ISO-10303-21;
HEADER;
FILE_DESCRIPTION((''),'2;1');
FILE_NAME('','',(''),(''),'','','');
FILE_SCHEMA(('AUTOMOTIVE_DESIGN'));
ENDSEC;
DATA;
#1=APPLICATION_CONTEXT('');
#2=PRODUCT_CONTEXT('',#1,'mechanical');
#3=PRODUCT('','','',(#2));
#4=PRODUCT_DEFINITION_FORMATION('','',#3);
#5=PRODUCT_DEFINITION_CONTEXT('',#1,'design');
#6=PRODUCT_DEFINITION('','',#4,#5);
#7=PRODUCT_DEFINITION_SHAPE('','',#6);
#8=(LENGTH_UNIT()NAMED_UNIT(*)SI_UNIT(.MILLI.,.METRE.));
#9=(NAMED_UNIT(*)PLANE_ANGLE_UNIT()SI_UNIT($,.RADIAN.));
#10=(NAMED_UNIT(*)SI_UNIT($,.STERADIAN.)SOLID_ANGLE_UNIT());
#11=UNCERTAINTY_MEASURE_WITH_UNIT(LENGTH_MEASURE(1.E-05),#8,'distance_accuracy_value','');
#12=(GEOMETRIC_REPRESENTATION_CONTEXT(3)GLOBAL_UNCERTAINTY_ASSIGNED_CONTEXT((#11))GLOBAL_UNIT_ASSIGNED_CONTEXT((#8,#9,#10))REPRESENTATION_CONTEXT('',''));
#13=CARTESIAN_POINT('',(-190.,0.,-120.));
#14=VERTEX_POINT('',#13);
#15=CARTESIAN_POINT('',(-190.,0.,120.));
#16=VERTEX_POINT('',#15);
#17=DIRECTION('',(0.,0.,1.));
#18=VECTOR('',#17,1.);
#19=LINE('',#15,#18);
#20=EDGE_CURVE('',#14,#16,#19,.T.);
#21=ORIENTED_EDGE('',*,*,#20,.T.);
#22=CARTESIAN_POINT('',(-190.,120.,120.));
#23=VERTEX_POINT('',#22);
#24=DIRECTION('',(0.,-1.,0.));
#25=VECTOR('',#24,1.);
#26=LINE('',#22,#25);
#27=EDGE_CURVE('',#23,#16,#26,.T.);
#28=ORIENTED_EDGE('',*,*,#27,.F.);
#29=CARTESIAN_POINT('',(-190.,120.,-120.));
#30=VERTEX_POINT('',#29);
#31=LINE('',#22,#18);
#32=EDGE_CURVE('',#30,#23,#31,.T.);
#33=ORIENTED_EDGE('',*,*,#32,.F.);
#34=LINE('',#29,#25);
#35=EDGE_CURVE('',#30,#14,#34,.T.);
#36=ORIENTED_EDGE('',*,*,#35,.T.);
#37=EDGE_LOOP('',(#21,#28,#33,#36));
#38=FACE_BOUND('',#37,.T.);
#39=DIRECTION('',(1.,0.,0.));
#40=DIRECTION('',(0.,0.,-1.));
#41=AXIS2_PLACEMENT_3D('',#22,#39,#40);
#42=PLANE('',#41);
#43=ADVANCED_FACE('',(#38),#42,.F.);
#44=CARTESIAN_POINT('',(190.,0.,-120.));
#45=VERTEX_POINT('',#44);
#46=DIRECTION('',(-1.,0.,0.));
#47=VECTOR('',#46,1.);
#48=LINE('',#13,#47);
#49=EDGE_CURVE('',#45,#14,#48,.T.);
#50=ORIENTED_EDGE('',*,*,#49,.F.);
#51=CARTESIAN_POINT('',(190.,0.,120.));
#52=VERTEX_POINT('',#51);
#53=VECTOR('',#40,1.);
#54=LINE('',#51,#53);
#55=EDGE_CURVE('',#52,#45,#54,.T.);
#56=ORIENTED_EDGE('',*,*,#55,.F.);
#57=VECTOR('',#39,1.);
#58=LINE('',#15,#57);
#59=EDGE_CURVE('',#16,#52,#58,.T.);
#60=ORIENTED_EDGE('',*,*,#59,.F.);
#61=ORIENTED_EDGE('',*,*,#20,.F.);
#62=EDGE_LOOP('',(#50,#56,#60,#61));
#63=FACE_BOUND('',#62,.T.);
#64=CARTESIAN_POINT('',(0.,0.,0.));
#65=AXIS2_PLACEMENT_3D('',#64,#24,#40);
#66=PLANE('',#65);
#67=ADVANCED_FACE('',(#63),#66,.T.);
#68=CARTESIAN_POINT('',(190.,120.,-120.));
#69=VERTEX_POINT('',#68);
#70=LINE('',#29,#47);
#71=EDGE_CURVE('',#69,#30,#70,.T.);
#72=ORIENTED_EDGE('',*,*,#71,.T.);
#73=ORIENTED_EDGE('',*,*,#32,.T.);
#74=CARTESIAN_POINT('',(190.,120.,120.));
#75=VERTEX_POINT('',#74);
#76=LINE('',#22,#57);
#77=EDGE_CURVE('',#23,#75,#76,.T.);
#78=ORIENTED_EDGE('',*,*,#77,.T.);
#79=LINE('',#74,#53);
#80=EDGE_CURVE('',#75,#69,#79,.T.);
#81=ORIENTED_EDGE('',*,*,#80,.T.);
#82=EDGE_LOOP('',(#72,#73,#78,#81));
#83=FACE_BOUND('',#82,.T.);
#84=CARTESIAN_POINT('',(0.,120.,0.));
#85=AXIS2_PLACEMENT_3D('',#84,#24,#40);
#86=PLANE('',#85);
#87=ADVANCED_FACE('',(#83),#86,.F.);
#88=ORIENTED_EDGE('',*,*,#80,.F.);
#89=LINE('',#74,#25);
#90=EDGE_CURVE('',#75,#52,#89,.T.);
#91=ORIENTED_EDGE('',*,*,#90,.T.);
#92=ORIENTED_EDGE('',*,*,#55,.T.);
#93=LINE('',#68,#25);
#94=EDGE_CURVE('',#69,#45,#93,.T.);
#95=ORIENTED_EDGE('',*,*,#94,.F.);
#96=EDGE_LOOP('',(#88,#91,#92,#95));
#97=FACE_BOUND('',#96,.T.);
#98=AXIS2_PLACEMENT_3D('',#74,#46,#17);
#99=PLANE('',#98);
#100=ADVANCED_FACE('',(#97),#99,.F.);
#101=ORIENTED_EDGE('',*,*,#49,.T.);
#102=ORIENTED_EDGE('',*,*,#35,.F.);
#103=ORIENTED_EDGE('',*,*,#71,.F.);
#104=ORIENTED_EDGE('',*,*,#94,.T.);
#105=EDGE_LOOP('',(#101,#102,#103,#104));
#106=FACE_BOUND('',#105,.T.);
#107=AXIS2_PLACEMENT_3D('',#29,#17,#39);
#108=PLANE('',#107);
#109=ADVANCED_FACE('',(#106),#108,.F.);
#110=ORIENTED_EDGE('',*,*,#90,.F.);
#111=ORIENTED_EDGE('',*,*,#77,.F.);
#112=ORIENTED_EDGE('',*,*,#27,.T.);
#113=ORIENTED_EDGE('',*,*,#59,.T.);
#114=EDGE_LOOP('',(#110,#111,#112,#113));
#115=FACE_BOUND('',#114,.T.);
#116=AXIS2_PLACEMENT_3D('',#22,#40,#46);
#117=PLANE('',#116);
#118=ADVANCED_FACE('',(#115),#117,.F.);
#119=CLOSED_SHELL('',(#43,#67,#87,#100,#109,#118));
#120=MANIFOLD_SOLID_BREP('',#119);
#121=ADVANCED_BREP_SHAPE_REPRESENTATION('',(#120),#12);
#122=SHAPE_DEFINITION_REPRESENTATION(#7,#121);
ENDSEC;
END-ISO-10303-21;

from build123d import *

# Parameters (mm, degrees)
SZKIC1_W                    = 380
SZKIC1_H                    = 240
DODANIE_WYCI_GNI_CIE1_DEPTH = 120


with BuildPart() as part:
    # Szkic1 → Dodanie-wyciągnięcie1 (new body)
    with BuildSketch(Plane(origin=(0, 0, 0), x_dir=(1, 0, 0), z_dir=(0, 1, 0))):
        Rectangle(SZKIC1_W, SZKIC1_H)
    extrude(amount=DODANIE_WYCI_GNI_CIE1_DEPTH)


solid = part.part
